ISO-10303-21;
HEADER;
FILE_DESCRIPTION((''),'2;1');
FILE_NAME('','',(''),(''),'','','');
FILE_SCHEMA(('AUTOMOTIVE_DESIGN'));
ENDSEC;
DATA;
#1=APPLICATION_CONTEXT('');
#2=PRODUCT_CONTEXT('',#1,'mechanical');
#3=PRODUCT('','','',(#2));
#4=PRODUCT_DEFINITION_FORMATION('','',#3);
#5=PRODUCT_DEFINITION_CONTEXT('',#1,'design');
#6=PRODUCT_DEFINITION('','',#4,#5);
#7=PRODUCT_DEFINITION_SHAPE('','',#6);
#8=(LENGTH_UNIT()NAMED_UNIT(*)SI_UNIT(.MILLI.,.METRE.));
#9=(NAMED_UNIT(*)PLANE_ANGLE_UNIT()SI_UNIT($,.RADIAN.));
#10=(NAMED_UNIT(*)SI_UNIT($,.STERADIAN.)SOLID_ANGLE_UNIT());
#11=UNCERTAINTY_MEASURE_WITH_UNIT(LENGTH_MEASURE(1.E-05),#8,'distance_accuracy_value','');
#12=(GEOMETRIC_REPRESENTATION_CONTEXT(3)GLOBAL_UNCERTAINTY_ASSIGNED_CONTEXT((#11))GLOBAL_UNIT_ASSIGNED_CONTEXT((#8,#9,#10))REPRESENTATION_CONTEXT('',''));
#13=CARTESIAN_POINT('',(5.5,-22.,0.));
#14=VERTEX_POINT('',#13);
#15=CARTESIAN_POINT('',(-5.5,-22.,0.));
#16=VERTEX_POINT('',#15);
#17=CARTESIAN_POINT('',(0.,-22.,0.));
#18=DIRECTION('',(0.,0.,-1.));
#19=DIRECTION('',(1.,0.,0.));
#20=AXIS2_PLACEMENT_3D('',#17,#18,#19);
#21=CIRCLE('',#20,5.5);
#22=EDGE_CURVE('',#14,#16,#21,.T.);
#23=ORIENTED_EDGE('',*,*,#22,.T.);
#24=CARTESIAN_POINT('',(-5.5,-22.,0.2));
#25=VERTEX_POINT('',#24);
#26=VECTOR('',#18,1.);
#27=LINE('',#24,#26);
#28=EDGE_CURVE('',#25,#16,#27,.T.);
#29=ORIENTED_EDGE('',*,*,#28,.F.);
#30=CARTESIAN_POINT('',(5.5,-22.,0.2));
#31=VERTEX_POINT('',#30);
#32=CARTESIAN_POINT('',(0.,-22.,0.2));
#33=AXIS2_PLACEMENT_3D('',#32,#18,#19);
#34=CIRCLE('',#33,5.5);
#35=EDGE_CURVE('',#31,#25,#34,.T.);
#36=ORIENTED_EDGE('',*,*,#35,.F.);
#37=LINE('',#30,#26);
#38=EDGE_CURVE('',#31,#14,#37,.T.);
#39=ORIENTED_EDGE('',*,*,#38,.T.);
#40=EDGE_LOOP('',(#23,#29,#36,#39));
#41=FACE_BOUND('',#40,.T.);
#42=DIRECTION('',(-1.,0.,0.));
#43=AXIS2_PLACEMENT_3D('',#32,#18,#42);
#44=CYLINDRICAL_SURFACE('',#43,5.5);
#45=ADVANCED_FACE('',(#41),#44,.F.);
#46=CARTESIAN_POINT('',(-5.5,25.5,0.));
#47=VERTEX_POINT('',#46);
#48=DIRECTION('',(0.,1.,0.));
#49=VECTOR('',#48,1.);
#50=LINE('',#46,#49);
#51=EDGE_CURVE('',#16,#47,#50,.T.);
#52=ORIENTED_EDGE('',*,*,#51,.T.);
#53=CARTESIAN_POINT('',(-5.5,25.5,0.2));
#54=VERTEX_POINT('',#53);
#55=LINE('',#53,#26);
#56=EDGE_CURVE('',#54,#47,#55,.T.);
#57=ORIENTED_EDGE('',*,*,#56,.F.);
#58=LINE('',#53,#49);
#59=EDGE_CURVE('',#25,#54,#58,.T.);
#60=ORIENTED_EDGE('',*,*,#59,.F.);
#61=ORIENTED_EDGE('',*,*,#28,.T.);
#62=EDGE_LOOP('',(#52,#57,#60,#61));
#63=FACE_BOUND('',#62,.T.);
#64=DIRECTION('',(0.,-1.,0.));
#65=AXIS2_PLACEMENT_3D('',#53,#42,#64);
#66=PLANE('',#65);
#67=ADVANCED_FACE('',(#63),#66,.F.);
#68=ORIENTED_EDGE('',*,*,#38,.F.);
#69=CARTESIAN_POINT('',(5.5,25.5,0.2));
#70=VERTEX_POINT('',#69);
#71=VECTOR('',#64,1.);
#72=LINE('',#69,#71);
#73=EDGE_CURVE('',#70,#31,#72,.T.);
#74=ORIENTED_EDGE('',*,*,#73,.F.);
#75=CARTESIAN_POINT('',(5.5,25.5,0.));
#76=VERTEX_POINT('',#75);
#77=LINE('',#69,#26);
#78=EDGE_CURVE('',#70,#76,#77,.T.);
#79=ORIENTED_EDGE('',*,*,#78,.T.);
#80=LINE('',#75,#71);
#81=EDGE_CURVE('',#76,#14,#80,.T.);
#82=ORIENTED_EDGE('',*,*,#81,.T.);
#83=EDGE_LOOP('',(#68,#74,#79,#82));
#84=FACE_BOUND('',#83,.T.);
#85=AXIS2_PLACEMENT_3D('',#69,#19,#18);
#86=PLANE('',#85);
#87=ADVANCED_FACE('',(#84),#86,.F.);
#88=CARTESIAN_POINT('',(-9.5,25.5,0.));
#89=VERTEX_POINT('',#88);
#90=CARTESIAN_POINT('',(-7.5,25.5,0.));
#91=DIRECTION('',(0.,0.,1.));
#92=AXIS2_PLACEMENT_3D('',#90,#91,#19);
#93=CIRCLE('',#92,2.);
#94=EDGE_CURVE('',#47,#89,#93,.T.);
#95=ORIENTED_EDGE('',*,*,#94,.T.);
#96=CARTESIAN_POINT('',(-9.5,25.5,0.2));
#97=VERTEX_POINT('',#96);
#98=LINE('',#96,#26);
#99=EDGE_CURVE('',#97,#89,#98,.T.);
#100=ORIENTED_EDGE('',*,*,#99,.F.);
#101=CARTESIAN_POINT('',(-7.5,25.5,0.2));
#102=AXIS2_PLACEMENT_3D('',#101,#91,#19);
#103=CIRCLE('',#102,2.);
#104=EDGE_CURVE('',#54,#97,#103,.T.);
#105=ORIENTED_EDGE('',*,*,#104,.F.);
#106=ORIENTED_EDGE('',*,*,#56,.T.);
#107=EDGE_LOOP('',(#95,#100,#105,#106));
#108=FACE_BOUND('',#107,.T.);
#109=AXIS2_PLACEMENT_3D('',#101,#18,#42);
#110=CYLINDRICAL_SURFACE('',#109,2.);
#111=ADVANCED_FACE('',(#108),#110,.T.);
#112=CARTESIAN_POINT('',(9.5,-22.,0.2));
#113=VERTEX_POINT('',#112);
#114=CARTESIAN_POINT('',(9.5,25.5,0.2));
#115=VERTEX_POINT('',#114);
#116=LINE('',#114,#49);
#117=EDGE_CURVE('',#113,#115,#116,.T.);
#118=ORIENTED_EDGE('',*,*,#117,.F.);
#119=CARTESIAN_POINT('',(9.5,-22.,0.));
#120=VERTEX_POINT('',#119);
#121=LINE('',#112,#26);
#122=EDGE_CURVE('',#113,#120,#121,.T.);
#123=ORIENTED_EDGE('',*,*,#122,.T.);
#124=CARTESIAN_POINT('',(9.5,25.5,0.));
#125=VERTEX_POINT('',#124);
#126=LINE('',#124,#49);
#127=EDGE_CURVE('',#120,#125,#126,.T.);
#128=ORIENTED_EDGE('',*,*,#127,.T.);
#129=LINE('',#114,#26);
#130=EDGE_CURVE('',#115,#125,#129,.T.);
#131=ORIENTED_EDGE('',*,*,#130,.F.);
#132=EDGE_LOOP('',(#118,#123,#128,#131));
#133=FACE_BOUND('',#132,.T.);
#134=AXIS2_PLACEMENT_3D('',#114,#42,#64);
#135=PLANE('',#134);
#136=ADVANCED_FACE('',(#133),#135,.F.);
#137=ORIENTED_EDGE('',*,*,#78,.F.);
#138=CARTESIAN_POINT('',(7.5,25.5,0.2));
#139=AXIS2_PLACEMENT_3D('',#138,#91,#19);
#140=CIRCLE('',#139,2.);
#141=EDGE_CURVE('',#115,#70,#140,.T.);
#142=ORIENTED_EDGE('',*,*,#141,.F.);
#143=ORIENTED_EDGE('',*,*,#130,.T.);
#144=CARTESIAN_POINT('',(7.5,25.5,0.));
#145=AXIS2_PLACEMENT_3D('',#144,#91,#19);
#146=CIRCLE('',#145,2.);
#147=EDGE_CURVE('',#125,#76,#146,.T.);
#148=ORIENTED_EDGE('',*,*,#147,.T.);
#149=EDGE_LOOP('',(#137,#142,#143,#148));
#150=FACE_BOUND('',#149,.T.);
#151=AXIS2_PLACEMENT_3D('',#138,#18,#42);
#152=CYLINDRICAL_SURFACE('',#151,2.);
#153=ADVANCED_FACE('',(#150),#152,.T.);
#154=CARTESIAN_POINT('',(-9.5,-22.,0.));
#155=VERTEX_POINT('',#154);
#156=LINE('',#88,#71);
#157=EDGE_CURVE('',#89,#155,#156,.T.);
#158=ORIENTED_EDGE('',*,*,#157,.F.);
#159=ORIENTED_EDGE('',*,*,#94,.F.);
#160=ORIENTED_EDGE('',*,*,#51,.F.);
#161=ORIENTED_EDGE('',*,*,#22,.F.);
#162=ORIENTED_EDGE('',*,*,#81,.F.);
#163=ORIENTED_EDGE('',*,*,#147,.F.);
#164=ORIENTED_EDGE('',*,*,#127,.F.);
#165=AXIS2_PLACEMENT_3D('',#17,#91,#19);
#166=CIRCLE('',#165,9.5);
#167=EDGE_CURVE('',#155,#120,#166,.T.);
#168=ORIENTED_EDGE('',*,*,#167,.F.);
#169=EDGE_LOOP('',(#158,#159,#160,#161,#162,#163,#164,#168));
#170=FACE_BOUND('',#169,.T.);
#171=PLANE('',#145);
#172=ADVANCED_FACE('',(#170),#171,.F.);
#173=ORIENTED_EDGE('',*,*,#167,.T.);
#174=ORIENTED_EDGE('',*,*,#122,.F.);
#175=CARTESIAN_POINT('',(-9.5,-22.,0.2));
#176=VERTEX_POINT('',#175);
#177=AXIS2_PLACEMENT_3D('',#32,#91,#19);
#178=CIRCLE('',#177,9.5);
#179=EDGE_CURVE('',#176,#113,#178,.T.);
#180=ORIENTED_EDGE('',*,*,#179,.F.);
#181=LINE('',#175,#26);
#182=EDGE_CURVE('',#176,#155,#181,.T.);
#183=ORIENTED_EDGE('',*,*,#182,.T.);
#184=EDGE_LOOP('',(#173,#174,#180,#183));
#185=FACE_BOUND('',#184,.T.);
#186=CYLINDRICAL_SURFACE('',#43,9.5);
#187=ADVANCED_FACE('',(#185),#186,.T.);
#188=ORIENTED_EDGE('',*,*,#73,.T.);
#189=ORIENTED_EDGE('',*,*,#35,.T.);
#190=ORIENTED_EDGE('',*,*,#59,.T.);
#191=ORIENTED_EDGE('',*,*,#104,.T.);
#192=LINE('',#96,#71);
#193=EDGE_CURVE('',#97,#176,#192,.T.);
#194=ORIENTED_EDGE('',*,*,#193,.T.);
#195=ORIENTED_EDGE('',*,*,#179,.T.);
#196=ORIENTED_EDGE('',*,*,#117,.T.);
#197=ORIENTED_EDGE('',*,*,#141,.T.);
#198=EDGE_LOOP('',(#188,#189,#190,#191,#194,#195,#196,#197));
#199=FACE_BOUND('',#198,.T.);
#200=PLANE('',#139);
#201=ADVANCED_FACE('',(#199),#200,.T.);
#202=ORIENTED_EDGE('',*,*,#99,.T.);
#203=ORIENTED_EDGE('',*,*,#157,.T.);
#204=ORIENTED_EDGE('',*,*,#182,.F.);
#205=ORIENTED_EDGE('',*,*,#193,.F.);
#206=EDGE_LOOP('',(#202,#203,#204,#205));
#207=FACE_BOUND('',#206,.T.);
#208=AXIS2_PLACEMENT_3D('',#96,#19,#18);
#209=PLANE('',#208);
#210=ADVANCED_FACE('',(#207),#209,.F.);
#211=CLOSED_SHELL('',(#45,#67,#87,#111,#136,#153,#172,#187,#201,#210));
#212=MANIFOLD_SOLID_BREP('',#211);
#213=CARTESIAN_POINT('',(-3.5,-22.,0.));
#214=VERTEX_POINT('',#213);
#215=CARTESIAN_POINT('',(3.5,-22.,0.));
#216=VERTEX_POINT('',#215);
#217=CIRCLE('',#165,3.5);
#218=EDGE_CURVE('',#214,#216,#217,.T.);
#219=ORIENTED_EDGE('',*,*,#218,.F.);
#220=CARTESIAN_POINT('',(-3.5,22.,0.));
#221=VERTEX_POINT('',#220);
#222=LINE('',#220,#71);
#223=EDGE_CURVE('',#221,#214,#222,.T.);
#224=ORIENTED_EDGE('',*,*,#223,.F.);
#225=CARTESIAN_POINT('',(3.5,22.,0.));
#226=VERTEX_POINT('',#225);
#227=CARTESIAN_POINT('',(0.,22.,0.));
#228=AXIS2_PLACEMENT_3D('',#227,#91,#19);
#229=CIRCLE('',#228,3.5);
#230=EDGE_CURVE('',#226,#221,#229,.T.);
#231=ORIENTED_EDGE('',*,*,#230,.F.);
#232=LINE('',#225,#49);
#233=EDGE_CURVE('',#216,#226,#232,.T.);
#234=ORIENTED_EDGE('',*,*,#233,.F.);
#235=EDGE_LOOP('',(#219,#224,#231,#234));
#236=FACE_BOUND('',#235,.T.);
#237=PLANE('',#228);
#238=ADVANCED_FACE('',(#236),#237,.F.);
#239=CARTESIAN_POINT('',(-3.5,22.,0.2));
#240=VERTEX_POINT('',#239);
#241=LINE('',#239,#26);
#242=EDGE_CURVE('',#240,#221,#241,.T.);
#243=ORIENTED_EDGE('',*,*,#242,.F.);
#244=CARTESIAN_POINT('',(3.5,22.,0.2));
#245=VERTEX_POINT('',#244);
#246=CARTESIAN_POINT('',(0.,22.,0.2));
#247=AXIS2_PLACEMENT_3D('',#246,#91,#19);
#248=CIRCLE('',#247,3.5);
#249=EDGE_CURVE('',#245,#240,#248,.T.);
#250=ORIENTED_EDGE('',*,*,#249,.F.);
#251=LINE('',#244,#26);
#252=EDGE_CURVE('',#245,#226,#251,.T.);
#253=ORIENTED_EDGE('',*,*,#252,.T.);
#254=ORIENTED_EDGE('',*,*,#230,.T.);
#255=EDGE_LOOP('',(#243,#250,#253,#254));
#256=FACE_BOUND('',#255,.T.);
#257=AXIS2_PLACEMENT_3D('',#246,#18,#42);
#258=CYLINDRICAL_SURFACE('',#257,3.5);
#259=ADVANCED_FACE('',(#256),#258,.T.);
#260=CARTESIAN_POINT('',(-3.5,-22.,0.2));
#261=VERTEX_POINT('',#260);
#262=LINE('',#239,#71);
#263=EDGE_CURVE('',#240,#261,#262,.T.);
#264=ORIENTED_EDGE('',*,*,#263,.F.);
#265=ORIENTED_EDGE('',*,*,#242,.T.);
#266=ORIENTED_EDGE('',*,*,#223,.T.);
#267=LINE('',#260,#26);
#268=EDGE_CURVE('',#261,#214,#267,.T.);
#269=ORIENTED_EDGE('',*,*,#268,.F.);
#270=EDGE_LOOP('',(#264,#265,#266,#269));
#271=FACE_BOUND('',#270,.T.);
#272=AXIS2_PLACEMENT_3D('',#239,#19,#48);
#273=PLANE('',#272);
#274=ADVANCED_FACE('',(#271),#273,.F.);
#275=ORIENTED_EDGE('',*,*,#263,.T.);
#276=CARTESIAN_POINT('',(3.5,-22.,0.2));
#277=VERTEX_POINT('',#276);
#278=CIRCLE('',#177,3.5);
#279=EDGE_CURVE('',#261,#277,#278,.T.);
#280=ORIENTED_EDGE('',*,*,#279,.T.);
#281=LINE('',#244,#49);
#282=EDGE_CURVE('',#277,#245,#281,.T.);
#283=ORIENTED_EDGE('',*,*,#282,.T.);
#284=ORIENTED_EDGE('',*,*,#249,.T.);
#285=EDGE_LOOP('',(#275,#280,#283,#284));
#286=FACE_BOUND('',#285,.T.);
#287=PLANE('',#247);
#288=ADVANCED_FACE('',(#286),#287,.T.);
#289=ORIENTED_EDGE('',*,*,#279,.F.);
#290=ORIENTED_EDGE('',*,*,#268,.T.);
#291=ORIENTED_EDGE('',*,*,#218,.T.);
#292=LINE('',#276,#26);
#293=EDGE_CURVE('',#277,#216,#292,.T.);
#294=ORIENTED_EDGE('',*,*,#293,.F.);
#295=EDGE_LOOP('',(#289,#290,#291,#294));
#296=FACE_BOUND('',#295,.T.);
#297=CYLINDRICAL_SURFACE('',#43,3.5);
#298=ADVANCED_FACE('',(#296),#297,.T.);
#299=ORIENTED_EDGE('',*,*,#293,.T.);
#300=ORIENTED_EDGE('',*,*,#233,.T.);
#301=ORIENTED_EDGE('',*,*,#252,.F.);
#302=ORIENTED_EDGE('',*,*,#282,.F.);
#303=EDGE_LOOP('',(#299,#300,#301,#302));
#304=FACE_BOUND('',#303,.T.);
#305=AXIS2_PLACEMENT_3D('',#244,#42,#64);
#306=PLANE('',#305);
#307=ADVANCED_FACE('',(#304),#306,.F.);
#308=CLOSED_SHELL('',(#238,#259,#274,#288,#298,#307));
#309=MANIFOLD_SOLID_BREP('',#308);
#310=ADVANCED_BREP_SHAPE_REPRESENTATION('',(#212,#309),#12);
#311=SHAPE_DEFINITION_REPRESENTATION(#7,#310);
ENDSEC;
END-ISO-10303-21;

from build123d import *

# Parameters (mm, degrees)
Y_KSEKLIK_EKSTR_ZYON1_DEPTH   = 0.2
Y_KSEKLIK_EKSTR_ZYON1_2_DEPTH = 0.2


with BuildPart() as part:
    # Çizim1 → Yükseklik-Ekstrüzyon1 (new body)
    with BuildSketch(Plane.XY):
        with BuildLine():
            Line((3.5, 22), (3.5, -22))
            ThreePointArc((3.5, -22), (0, -25.5), (-3.5, -22))
            Line((-3.5, -22), (-3.5, 22))
            ThreePointArc((-3.5, 22), (0, 25.5), (3.5, 22))
        make_face()
    extrude(amount=Y_KSEKLIK_EKSTR_ZYON1_DEPTH)


with BuildPart() as body_2:
    # Çizim1 → Y_kseklik-Ekstr_zyon1 2 (new body)
    with BuildSketch(Plane.XY):
        with BuildLine():
            Line((9.5, 25.5), (9.5, -22))
            ThreePointArc((9.5, -22), (0, -31.5), (-9.5, -22))
            Line((-9.5, -22), (-9.5, 25.5))
            ThreePointArc((-9.5, 25.5), (-7.5, 27.5), (-5.5, 25.5))
            Line((-5.5, 25.5), (-5.5, -22))
            ThreePointArc((-5.5, -22), (0, -27.5), (5.5, -22))
            Line((5.5, -22), (5.5, 25.5))
            ThreePointArc((5.5, 25.5), (7.5, 27.5), (9.5, 25.5))
        make_face()
    extrude(amount=Y_KSEKLIK_EKSTR_ZYON1_2_DEPTH)


solid = Compound([part.part, body_2.part])
